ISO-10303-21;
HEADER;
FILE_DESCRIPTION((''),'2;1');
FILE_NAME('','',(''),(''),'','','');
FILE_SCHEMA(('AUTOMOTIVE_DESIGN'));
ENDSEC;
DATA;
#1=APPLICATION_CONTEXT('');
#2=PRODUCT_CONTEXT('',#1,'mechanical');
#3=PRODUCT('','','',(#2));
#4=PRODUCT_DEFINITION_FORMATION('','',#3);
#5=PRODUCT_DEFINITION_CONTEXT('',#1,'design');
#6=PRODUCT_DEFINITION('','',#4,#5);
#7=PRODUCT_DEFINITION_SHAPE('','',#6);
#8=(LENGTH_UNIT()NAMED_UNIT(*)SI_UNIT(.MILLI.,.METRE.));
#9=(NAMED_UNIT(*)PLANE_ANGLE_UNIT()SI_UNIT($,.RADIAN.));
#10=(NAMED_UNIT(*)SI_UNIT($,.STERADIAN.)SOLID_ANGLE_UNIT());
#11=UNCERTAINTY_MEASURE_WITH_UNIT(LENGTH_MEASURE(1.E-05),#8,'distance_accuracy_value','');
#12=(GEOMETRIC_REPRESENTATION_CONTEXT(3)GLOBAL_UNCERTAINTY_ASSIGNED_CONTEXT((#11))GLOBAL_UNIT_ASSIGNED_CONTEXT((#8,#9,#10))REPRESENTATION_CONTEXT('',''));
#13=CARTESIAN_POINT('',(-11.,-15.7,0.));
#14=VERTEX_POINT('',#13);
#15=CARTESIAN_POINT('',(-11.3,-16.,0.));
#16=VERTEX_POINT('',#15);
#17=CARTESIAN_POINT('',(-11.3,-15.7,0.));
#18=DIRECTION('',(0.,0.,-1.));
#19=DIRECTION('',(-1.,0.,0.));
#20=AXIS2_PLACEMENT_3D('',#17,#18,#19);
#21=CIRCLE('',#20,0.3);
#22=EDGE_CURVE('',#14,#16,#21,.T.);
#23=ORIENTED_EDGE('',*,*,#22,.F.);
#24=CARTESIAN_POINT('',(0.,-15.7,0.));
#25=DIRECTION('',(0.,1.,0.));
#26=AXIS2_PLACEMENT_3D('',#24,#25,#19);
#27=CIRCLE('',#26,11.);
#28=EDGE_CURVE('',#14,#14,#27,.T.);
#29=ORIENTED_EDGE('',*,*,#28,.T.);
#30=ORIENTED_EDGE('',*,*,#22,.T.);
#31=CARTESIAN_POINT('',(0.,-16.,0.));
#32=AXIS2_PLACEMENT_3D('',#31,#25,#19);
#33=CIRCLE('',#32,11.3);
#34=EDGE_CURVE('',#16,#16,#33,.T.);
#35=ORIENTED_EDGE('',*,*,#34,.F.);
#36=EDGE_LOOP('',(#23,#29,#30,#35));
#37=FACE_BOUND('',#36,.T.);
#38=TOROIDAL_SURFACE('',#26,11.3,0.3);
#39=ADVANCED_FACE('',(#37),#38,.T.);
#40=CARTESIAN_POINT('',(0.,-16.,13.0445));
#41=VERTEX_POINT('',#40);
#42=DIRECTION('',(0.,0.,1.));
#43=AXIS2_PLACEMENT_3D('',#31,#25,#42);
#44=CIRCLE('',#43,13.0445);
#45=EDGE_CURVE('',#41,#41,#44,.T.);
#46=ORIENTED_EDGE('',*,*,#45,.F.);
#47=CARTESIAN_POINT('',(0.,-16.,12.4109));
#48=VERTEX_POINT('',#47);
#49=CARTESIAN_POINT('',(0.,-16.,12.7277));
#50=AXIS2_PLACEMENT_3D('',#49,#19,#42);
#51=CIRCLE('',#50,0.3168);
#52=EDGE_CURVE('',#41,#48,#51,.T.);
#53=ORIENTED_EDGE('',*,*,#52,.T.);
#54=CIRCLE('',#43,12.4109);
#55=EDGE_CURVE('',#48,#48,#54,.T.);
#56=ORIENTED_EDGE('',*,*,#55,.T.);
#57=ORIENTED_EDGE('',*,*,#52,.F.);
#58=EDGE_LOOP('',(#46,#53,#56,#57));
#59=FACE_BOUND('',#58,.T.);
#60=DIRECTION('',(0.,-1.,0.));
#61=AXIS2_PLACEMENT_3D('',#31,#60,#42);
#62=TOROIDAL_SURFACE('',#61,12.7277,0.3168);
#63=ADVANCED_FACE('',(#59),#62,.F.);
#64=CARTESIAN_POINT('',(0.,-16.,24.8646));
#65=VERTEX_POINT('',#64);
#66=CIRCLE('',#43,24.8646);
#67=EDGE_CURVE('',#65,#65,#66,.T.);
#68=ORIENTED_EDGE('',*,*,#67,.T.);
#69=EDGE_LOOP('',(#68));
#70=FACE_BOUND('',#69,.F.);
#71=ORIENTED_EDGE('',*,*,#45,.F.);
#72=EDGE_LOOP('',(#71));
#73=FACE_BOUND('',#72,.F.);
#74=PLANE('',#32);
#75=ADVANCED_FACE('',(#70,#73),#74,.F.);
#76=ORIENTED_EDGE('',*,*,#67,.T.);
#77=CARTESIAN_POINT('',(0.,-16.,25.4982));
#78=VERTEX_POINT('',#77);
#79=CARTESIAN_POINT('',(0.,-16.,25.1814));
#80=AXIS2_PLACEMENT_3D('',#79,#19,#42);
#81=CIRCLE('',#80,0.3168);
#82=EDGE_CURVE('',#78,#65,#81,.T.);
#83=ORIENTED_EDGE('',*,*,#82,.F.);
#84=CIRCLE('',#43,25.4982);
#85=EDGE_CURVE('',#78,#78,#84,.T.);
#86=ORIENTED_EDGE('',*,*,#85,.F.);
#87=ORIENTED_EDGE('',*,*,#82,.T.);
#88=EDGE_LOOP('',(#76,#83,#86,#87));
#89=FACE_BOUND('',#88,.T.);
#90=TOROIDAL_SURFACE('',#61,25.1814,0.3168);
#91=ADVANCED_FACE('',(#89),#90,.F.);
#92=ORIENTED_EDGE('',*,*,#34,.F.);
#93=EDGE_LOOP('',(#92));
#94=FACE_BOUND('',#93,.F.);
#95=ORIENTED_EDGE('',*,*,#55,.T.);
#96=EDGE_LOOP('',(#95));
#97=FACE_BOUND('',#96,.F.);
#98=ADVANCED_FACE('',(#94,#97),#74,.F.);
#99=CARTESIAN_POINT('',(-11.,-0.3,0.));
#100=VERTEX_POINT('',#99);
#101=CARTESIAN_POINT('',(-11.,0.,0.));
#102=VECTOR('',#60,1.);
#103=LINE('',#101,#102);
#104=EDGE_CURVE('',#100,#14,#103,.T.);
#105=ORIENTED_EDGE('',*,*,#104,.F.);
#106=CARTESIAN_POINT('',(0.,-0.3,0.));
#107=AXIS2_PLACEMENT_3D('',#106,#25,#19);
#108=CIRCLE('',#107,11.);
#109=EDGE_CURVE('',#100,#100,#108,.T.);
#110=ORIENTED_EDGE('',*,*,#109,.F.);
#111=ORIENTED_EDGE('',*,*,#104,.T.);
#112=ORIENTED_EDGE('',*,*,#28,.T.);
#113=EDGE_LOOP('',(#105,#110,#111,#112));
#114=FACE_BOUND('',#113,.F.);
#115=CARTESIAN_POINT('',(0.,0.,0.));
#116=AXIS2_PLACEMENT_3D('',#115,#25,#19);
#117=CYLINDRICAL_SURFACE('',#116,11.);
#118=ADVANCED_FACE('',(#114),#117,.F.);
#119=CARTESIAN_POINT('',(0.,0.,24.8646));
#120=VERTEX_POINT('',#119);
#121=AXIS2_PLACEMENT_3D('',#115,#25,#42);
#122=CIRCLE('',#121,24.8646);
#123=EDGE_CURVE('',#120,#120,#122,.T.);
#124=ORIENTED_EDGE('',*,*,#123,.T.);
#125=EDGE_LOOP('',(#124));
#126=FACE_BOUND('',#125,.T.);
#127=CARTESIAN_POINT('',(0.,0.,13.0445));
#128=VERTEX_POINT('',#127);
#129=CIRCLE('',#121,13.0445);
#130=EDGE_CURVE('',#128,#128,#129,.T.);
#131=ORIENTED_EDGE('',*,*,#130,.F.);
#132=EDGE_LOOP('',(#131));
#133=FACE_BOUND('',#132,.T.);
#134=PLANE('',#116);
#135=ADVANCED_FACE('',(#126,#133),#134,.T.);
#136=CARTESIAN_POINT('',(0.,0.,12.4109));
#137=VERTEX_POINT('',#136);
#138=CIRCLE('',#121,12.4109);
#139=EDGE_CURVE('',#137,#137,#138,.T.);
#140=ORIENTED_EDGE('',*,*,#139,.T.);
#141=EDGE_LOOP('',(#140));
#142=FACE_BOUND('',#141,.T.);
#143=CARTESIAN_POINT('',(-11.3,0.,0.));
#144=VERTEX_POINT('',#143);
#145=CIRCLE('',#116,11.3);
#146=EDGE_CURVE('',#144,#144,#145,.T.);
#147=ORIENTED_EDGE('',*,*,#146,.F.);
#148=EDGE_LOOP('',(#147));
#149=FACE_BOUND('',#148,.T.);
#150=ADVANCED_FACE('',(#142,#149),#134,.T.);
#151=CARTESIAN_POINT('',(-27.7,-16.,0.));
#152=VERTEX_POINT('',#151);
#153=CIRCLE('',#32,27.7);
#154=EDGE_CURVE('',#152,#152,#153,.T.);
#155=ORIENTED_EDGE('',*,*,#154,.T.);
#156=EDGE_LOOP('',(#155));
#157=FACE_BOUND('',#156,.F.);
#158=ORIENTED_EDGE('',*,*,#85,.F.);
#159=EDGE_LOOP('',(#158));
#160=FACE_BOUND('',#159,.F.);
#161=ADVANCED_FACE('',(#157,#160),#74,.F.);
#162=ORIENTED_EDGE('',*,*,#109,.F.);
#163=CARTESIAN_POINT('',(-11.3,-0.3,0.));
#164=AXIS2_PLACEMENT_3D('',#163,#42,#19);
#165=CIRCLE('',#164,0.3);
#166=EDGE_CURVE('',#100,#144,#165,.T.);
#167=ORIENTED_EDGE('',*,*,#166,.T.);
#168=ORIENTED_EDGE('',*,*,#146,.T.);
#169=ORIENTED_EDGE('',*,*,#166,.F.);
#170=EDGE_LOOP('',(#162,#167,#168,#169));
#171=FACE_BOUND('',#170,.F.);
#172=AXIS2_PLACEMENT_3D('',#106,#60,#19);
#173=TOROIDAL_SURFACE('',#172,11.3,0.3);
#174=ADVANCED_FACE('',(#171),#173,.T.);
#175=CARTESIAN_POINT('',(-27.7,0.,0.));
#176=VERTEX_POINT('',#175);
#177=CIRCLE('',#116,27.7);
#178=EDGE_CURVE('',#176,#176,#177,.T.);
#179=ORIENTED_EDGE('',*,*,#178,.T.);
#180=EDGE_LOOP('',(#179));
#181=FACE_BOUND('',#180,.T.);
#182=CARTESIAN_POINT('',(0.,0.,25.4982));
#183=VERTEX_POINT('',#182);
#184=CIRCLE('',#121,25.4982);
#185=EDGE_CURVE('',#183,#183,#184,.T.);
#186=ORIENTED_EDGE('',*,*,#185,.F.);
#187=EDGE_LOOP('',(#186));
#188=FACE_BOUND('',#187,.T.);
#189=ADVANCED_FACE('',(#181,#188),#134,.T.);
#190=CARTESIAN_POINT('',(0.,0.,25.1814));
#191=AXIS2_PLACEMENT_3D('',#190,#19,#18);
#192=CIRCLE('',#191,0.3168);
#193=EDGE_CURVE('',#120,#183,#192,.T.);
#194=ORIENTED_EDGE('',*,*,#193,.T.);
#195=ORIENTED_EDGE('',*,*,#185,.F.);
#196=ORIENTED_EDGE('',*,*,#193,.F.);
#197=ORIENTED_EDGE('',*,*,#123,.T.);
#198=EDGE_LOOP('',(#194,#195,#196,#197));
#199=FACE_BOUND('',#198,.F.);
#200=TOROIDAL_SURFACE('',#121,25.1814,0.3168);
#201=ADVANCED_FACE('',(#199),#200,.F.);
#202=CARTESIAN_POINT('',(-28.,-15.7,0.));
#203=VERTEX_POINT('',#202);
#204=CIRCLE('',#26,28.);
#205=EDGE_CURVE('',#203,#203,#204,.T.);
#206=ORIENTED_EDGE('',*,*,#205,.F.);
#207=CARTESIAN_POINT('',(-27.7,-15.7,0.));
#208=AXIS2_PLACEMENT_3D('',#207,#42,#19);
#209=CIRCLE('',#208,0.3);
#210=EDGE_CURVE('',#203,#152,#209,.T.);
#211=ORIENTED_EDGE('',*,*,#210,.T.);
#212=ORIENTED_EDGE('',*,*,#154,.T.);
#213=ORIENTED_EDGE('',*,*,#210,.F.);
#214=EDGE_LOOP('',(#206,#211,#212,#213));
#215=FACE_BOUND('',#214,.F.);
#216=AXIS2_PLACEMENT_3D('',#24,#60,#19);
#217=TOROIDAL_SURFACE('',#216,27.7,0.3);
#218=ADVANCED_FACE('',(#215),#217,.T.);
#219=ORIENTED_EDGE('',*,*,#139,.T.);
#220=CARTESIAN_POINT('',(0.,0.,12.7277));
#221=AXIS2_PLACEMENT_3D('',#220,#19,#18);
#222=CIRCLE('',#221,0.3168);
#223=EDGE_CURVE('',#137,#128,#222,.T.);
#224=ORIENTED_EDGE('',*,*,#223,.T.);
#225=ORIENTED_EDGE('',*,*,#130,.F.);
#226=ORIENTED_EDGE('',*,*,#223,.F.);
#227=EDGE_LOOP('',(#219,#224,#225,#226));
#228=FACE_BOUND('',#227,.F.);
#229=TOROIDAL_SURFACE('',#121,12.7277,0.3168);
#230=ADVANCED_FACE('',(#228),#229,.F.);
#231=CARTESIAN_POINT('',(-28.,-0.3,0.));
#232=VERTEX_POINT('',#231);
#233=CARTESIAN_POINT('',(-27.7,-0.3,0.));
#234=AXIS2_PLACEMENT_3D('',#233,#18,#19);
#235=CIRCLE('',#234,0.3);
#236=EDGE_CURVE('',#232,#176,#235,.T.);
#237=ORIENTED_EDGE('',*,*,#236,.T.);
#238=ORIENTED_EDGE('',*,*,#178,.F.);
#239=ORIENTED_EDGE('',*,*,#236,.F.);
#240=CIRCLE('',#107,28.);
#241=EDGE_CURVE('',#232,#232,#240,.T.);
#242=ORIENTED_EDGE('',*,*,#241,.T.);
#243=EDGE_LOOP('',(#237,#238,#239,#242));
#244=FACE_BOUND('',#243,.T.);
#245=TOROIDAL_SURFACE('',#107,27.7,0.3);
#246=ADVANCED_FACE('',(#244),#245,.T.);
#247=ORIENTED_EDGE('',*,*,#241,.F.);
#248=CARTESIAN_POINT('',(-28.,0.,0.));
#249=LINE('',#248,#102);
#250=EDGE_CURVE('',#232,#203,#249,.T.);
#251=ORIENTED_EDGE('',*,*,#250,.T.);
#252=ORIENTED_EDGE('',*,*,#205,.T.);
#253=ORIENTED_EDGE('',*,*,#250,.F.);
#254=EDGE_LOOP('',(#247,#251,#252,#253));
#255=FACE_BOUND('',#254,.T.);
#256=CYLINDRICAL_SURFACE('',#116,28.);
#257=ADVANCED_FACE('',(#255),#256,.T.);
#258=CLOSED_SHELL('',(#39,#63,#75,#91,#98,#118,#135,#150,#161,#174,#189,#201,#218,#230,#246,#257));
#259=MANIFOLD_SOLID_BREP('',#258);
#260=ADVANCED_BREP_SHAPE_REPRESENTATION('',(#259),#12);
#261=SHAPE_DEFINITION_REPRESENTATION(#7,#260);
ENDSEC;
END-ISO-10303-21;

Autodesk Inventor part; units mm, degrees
ref_plane "YZ Plane" through (0, 0, 0) normal (1, 0, 0) x (0, 1, 0)
ref_plane "XZ Plane" through (0, 0, 0) normal (0, 1, 0) x (-1, 0, 0)
sketch "Sketch1" plane through (0, 0, 0) normal (0, 1, 0) x (-1, 0, 0)
  circle A0 centre (0, 0) radius 11
  circle A1 centre (0, 0) radius 28
  dimension "d0" = 22
  dimension "d1" = 56
extrude "Extrusion1" add sketch "Sketch1" against normal blind 16
fillet "Fillet1" radius 0.3 4 edges at (28, 0, 0) (28, -16, 0) (11, 0, 0) (11, -16, 0)
sketch "Sketch2" plane through (0, 0, 0) normal (1, 0, 0) x (0, 1, 0)
  line L0 (-16, -27.7) -> (-16, 27.7) projected
  line L1 (-0.3, 28) -> (-15.7, 28) projected
  circle A0 centre (-16, 25.1814) radius 0.3168
  circle A1 centre (-16, 12.7277) radius 0.3168
  line L2 (-18.3802, 0) -> (3.0634, 0) projected
  point P0 (0, 0)
revolve "Revolution1" cut sketch "Sketch2" angle 360 about axis through (0, -10, 0) along (0, 1, 0)
ref_plane "Work Plane1" through (0, -8, 0) normal (0, 1, 0) x (1, 0, 0)
mirror "Mirror1" about plane through (0, -8, 0) normal (0, 1, 0) of "Revolution1"
properties part number "SHU63_22RS" material "Stainless Steel, 440C"
